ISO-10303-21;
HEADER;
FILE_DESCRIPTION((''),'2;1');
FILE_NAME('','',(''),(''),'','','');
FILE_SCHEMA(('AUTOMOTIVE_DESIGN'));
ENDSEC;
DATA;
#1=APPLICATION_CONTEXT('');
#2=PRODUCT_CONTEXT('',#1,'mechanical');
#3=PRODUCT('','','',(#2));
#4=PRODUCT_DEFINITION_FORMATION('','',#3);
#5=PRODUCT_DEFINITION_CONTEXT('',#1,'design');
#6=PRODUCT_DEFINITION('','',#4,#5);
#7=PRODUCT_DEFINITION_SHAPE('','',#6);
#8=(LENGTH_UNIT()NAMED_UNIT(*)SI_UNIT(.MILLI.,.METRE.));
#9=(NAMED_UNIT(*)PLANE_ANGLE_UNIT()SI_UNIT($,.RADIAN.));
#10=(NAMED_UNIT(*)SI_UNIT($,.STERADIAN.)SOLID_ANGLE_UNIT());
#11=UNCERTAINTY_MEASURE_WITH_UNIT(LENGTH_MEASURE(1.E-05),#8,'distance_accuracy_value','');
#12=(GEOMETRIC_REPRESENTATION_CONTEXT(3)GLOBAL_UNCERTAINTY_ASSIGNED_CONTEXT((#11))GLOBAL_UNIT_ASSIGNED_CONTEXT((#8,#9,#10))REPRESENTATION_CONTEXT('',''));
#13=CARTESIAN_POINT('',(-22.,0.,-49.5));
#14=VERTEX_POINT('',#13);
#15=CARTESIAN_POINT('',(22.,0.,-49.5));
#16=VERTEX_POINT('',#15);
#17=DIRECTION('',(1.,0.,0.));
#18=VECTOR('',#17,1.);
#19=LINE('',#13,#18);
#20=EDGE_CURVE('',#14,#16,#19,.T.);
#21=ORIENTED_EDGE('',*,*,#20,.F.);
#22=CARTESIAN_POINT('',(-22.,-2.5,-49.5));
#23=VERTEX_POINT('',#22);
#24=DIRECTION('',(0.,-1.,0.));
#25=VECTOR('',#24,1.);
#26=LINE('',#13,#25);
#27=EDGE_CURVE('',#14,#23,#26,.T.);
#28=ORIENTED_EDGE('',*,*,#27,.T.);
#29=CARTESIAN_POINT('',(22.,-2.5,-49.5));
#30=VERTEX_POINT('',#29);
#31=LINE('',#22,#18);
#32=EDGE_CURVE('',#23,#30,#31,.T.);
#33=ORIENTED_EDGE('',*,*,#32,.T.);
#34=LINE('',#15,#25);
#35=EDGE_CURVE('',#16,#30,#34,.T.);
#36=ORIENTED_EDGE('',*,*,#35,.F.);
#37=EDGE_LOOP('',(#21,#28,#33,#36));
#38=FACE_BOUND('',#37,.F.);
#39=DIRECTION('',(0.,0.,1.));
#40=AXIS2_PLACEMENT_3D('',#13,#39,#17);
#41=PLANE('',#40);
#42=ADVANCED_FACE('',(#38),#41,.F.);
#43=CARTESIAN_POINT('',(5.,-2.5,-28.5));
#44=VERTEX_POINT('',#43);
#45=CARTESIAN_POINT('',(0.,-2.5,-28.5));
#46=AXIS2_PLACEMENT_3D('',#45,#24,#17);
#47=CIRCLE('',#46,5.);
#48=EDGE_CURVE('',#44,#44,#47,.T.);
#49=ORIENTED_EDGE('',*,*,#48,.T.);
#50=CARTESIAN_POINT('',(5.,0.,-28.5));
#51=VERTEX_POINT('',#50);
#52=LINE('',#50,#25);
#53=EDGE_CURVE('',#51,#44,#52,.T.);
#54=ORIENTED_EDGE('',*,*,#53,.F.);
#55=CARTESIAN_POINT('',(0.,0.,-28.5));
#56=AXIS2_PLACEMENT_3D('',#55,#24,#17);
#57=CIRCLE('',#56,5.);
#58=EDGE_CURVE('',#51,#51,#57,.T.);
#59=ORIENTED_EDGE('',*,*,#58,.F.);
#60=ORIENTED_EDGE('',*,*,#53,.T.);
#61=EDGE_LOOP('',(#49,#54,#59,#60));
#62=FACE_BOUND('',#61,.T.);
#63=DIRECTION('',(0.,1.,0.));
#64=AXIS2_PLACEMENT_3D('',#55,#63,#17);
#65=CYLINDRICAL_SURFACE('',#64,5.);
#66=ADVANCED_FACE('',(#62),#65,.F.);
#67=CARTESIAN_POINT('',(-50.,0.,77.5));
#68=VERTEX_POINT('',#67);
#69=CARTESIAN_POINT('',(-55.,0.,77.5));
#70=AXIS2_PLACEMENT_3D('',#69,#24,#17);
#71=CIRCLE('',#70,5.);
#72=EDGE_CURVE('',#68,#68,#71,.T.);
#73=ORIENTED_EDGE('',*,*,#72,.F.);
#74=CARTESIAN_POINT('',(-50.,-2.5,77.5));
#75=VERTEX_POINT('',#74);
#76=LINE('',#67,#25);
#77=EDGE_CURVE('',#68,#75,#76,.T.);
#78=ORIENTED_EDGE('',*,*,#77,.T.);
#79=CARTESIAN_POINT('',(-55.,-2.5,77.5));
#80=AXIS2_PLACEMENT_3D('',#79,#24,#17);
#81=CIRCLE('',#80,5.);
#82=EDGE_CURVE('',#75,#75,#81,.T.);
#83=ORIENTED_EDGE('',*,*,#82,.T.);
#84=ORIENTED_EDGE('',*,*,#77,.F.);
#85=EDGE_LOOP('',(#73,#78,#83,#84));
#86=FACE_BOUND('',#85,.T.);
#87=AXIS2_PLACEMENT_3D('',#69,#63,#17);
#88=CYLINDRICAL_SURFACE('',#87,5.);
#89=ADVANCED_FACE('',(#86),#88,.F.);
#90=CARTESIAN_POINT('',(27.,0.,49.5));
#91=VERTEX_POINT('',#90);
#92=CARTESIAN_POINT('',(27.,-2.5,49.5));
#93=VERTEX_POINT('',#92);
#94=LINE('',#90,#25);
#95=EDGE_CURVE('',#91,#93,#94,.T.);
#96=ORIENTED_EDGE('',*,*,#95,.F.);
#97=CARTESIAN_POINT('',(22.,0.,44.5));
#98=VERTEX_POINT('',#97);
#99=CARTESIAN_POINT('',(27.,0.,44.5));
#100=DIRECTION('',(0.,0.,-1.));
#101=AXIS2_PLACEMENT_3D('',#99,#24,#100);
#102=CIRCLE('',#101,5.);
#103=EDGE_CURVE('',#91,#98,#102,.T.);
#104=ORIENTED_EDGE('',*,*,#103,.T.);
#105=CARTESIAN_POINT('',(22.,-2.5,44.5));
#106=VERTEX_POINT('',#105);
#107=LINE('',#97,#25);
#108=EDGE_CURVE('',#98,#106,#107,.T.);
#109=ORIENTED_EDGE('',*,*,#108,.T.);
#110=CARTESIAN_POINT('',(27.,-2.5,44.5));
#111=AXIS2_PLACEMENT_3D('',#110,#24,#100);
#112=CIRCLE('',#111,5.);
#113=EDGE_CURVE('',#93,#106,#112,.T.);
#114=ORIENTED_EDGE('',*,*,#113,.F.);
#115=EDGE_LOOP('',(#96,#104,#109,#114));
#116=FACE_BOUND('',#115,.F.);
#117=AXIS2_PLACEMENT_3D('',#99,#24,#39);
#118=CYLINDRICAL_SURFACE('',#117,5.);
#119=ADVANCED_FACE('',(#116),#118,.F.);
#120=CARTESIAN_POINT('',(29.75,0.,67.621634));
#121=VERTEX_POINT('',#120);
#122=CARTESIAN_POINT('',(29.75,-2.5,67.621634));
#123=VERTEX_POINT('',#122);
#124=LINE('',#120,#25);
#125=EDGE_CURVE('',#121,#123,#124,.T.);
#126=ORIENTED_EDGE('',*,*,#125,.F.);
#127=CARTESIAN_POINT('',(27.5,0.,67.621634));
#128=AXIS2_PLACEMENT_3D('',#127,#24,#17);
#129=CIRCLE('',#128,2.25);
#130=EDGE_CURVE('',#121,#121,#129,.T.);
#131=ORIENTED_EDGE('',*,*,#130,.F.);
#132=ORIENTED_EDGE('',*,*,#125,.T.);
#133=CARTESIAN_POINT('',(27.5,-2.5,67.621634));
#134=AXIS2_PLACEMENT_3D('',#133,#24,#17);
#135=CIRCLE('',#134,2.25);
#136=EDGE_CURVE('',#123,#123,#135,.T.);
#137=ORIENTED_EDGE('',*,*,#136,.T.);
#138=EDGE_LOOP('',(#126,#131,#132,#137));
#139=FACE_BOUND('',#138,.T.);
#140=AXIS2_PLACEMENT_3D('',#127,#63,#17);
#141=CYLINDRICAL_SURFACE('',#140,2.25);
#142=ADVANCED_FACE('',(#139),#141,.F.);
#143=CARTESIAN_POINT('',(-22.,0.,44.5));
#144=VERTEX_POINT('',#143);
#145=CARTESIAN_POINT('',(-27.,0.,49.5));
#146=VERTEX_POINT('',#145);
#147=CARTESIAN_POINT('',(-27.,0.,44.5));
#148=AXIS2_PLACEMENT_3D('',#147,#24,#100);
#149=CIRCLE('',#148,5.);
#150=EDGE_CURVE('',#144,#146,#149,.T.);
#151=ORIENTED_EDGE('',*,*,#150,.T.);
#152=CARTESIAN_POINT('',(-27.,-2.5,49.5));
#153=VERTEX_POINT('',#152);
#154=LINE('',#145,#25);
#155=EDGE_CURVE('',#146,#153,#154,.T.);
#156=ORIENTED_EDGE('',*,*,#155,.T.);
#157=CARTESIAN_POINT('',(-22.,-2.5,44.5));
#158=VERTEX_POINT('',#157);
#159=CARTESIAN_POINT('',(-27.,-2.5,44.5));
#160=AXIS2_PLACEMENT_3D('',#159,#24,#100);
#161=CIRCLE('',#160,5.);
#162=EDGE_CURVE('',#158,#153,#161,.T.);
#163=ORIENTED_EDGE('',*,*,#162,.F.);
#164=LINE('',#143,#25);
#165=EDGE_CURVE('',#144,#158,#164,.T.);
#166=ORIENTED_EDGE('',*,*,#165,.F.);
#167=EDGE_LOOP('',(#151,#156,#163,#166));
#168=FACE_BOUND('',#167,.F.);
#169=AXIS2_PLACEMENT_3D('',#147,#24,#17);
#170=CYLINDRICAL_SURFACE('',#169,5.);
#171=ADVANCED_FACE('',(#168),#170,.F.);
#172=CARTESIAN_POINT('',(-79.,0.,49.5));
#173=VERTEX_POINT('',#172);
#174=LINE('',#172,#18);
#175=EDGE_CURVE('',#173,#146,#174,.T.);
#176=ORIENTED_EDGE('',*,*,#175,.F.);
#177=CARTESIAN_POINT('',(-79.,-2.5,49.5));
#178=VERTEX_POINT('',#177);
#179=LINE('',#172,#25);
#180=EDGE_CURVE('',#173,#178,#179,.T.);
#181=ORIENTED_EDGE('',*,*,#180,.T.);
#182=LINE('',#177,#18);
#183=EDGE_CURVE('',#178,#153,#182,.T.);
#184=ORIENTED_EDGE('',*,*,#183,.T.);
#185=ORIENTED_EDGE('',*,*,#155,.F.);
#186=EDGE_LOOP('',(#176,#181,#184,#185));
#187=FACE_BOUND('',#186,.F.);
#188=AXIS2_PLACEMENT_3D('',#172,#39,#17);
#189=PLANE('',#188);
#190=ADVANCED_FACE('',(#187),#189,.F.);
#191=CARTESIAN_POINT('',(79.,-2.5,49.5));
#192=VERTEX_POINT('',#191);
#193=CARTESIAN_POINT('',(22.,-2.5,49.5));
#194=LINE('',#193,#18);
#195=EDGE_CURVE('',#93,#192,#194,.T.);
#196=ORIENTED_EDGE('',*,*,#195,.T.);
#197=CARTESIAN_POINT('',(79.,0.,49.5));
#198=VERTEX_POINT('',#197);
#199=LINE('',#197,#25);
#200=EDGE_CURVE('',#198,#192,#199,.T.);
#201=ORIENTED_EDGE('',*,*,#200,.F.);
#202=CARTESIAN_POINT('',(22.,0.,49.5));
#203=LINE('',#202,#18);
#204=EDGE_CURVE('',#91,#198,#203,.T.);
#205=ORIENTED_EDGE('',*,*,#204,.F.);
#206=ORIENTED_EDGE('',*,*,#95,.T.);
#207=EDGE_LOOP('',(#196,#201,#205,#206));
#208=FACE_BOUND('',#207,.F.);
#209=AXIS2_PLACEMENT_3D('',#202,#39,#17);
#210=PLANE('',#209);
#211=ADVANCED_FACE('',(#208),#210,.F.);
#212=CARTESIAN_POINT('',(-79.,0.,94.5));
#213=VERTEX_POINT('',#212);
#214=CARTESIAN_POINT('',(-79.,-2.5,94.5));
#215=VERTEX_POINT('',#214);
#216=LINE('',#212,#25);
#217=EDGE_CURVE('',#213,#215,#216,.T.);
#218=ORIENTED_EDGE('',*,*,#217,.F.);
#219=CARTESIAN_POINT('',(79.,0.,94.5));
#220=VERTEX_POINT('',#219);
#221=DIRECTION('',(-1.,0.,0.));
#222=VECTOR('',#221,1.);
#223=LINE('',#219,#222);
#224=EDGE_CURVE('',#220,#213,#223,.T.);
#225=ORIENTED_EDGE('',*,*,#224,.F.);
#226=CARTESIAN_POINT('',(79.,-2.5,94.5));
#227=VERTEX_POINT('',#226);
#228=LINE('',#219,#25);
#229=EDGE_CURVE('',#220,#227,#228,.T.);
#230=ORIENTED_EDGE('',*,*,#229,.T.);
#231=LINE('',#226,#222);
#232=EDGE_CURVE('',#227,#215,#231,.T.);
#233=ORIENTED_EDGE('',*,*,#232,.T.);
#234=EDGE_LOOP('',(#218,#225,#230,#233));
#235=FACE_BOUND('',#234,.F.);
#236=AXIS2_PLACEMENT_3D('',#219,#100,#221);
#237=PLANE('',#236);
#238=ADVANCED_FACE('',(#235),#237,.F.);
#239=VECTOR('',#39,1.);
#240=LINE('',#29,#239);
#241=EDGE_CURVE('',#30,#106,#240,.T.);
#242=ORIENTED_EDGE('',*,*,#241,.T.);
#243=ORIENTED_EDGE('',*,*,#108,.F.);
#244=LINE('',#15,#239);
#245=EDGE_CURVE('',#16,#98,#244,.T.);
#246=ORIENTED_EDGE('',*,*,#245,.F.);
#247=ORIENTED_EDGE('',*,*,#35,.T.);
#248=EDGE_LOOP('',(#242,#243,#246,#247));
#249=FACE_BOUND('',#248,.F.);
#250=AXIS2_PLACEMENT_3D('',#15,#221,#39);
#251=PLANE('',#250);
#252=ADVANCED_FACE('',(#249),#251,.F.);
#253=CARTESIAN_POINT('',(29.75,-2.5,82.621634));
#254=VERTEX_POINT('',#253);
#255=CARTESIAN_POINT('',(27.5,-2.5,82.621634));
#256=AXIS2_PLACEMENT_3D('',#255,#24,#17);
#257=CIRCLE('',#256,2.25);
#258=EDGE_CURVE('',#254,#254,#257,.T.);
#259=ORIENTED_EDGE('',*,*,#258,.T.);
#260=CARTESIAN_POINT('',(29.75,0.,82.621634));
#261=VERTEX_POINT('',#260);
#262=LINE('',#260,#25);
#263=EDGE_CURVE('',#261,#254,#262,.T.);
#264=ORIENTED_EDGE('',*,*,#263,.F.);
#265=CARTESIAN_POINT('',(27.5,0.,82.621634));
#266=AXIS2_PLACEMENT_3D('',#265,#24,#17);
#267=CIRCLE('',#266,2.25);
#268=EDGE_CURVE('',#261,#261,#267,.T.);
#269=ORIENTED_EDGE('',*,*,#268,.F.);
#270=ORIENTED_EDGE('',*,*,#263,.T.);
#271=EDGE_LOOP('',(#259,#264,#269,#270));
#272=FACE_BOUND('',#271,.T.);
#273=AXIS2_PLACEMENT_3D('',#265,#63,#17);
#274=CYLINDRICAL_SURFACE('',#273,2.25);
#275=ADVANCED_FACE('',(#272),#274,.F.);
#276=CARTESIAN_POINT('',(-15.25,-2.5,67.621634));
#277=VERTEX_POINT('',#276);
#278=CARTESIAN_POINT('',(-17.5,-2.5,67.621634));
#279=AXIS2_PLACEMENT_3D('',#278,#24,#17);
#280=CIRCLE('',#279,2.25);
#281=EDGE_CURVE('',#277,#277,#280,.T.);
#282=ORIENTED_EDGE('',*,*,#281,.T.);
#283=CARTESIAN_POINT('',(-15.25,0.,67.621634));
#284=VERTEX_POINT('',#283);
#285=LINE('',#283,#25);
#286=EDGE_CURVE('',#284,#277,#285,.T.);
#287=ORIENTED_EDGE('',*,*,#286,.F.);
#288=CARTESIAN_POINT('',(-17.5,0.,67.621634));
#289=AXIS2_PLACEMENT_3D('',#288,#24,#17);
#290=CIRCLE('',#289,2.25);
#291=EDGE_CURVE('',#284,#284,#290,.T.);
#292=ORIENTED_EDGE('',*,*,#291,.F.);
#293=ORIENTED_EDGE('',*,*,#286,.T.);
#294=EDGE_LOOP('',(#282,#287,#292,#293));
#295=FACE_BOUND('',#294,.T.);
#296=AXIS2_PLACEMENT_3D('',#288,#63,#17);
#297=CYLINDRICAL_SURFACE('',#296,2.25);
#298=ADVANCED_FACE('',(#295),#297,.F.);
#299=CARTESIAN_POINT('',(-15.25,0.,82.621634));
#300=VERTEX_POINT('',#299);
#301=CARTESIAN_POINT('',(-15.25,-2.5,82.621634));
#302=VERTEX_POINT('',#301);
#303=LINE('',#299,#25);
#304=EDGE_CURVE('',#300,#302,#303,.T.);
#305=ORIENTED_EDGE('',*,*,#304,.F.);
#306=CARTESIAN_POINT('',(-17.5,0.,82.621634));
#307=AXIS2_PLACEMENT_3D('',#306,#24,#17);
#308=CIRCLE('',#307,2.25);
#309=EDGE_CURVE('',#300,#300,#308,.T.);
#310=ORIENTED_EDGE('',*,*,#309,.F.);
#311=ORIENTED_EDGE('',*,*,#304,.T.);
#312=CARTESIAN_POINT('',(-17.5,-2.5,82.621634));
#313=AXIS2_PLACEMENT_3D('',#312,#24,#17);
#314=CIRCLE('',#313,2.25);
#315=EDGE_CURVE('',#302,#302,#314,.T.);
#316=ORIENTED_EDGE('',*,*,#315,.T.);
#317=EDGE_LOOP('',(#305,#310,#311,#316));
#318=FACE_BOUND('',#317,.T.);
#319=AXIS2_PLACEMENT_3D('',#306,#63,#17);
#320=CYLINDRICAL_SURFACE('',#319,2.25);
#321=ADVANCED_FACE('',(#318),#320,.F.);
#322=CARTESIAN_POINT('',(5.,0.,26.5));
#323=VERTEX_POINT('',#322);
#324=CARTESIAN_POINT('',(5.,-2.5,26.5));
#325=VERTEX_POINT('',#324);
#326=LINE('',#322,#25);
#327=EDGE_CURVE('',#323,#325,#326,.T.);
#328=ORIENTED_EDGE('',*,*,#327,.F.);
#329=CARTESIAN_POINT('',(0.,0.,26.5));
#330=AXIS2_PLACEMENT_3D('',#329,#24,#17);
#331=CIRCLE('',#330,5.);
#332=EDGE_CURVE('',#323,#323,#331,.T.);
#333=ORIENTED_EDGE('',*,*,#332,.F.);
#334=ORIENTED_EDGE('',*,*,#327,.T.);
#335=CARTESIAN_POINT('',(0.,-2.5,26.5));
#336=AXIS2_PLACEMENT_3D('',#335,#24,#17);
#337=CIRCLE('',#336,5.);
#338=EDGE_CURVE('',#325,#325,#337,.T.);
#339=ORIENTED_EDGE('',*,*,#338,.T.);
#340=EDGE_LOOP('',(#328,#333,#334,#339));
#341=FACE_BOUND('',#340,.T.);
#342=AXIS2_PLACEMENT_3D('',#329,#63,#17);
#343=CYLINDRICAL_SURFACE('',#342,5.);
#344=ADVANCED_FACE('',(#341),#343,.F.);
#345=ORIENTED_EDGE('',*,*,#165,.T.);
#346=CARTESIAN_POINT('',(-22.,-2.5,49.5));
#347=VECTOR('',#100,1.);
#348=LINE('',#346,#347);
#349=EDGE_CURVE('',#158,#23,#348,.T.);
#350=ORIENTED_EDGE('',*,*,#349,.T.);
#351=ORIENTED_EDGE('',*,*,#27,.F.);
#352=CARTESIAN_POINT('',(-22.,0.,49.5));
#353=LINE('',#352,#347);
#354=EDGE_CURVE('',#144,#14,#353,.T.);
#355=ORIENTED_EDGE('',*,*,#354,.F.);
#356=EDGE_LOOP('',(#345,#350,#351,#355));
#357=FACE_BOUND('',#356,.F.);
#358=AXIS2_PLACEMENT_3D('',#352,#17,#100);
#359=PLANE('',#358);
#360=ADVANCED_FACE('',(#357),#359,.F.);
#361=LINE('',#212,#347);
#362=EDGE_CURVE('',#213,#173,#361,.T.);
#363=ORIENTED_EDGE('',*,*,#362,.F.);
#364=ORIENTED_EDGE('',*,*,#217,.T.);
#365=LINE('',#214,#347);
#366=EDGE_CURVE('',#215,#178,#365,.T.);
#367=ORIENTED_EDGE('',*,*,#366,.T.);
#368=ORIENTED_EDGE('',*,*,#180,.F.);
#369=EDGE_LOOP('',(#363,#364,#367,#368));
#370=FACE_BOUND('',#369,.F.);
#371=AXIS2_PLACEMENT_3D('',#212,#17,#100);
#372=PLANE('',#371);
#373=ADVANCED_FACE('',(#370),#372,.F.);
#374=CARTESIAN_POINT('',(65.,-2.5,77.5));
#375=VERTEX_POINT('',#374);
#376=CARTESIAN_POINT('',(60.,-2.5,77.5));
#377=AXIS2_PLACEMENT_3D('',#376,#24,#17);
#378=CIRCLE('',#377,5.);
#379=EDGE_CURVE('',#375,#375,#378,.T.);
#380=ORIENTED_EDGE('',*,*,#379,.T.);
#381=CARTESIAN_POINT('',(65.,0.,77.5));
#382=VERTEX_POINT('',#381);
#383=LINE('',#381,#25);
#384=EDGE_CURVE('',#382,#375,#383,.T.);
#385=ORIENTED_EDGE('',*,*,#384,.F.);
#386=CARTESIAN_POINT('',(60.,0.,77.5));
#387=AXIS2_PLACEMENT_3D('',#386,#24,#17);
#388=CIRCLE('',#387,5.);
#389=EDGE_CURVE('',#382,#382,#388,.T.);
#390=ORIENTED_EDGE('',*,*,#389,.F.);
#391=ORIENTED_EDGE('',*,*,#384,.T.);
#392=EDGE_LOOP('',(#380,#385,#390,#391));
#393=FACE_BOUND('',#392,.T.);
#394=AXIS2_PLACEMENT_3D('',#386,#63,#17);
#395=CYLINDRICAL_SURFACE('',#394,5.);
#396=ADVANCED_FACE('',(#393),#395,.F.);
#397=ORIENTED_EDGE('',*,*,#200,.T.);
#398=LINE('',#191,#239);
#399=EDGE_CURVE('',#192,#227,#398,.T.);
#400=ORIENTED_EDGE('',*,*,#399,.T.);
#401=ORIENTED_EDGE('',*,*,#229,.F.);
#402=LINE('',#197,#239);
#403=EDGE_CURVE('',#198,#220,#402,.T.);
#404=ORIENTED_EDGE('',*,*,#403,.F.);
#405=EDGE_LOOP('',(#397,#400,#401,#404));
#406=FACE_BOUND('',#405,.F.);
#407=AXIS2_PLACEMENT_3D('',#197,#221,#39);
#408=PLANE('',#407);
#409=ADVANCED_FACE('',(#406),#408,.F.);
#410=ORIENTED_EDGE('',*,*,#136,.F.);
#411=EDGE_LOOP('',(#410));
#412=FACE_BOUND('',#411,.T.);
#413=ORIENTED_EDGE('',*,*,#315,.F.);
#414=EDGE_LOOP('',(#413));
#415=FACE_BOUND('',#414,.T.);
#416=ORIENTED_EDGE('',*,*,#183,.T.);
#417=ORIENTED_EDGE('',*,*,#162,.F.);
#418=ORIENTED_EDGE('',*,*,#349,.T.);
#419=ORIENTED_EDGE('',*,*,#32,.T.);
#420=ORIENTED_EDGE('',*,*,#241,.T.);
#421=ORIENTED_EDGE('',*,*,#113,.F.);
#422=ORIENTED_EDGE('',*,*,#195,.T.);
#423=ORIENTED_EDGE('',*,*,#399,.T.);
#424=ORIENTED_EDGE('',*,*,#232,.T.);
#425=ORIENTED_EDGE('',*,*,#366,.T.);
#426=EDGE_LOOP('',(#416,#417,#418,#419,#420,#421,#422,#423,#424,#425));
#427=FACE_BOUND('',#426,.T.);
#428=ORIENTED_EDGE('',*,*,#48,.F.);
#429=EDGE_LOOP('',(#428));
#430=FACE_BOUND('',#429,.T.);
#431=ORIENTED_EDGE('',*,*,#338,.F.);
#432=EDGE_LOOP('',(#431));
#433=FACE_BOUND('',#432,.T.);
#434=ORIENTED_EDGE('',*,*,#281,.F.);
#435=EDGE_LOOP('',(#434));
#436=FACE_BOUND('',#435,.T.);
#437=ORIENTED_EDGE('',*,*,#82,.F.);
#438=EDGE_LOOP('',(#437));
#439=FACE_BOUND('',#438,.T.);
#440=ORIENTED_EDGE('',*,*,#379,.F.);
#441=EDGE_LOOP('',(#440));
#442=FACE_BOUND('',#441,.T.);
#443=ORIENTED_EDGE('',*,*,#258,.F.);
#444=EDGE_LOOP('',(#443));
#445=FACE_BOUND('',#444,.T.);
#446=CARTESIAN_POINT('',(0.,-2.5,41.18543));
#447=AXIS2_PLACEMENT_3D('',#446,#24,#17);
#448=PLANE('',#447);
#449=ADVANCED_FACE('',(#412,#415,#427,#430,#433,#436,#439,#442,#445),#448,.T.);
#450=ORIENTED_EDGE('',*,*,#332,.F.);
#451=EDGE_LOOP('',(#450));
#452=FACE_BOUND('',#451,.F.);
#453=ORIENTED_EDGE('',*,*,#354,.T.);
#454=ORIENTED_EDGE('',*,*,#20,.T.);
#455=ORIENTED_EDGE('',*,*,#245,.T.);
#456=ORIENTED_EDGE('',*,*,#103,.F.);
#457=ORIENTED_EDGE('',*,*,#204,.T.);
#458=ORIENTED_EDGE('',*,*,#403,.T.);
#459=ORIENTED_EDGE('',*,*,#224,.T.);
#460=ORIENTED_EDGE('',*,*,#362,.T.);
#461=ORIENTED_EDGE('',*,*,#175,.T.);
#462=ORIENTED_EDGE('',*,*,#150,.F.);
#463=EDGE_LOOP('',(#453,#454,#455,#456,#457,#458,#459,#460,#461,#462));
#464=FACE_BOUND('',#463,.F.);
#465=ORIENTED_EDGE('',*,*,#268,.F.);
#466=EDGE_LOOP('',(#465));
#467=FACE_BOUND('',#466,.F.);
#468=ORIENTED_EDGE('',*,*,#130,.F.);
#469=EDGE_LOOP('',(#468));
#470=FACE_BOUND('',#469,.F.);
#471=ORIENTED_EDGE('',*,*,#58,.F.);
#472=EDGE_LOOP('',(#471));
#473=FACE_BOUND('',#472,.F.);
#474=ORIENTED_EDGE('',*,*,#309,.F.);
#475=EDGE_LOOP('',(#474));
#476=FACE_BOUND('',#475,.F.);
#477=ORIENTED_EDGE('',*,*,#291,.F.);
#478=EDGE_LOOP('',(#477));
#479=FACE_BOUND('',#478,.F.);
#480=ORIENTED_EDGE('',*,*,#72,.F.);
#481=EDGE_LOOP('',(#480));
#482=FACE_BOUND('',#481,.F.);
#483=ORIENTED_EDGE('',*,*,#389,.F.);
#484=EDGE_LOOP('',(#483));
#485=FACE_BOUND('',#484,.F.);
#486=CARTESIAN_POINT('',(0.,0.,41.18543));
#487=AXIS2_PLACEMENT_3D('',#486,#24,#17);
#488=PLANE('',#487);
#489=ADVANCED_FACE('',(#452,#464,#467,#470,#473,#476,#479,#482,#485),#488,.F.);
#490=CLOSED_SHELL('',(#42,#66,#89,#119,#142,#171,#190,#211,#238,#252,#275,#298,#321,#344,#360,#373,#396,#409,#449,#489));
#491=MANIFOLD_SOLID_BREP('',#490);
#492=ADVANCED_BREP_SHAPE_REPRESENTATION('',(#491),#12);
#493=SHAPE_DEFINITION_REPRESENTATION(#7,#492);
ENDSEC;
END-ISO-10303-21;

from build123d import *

# Parameters (mm, degrees)
F0_R     = 5
F0_R_2   = 2.25
F1_DEPTH = 2.5
F2_R     = 5


with BuildPart() as f1:
    # F0 (on Front) → F1 (new body)
    with BuildSketch(Plane.XZ):
        Polygon((22, 49.5), (79, 49.5), (79, 94.5), (-79, 94.5), (-79, 49.5), (-22, 49.5), (-22, -49.5), (22, -49.5), align=None)
        with Locations((0, -28.5)):
            Circle(F0_R, mode=Mode.SUBTRACT)
        with Locations((-55, 77.5)):
            Circle(F0_R, mode=Mode.SUBTRACT)
        with Locations((-17.5, 67.621634)):
            Circle(F0_R_2, mode=Mode.SUBTRACT)
        with Locations((-17.5, 82.621634)):
            Circle(F0_R_2, mode=Mode.SUBTRACT)
        with Locations((0, 26.5)):
            Circle(F0_R, mode=Mode.SUBTRACT)
        with Locations((27.5, 67.621634)):
            Circle(F0_R_2, mode=Mode.SUBTRACT)
        with Locations((27.5, 82.621634)):
            Circle(F0_R_2, mode=Mode.SUBTRACT)
        with Locations((60, 77.5)):
            Circle(F0_R, mode=Mode.SUBTRACT)
    extrude(amount=F1_DEPTH)

    # F2
    f2_edges = [f1.edges().sort_by_distance(p)[0] for p in [
        (22, -1.25, 49.5),
        (-22, -1.25, 49.5),
    ]]
    fillet(f2_edges, radius=F2_R)


solid = f1.part
